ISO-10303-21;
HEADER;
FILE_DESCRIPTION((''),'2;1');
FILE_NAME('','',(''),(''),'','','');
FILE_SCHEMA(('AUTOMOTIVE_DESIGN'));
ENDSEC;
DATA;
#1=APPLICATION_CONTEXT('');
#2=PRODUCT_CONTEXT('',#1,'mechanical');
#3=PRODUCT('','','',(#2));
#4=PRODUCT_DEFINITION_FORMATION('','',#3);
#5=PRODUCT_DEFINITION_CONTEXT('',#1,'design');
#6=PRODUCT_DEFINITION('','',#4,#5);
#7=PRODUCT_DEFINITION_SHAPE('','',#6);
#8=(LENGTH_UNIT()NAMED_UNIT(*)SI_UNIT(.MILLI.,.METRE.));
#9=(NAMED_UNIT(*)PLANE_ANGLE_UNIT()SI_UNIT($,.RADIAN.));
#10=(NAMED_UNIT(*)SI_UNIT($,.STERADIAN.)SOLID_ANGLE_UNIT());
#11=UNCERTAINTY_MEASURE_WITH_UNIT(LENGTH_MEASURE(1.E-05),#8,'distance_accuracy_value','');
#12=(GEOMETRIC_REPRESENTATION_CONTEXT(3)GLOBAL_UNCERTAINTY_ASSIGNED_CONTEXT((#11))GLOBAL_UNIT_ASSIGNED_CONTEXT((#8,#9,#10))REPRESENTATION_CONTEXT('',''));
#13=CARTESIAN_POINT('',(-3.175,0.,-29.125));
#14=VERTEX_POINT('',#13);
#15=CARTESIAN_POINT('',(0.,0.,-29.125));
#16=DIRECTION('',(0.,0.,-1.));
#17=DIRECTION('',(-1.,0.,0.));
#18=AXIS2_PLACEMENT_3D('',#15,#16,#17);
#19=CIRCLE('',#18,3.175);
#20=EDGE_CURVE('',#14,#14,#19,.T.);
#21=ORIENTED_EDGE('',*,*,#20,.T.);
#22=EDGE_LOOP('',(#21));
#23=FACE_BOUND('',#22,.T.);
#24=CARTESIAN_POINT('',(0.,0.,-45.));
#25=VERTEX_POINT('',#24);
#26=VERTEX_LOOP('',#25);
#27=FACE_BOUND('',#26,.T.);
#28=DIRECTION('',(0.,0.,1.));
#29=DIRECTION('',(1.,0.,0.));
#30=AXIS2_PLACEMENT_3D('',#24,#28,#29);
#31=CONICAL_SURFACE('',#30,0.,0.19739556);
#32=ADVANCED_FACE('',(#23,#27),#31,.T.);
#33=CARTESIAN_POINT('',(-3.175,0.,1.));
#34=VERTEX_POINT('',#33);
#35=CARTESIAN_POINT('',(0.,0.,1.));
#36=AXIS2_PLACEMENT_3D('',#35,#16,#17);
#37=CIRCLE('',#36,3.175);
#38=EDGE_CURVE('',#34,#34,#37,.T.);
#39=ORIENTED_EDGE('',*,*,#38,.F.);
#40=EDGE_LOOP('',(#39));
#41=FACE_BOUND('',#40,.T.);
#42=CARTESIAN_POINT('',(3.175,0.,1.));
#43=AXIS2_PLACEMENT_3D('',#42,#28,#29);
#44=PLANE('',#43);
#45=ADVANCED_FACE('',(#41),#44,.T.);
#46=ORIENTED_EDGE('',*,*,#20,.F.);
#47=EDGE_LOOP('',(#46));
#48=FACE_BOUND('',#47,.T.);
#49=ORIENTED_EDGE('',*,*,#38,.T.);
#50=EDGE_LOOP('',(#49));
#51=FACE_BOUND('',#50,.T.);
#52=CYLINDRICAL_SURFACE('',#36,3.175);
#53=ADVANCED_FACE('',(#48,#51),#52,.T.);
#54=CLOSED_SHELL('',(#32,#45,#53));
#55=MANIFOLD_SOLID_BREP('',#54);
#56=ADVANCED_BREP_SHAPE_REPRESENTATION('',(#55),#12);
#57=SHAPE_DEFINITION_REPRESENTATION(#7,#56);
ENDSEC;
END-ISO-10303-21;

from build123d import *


with BuildPart() as part:
    # Sketch1 → Revolve1 (revolve)
    with BuildSketch(Plane.XZ, mode=Mode.PRIVATE) as revolve1_sk:
        Polygon((3.175, 1), (0, 1), (0, -45), (3.175, -29.125), align=None)
    revolve(revolve1_sk.sketch.rotate(Axis((0, 0, 1), (0, 0, -1)), 180), axis=Axis((0, 0, 1), (0, 0, -1)))


solid = part.part
